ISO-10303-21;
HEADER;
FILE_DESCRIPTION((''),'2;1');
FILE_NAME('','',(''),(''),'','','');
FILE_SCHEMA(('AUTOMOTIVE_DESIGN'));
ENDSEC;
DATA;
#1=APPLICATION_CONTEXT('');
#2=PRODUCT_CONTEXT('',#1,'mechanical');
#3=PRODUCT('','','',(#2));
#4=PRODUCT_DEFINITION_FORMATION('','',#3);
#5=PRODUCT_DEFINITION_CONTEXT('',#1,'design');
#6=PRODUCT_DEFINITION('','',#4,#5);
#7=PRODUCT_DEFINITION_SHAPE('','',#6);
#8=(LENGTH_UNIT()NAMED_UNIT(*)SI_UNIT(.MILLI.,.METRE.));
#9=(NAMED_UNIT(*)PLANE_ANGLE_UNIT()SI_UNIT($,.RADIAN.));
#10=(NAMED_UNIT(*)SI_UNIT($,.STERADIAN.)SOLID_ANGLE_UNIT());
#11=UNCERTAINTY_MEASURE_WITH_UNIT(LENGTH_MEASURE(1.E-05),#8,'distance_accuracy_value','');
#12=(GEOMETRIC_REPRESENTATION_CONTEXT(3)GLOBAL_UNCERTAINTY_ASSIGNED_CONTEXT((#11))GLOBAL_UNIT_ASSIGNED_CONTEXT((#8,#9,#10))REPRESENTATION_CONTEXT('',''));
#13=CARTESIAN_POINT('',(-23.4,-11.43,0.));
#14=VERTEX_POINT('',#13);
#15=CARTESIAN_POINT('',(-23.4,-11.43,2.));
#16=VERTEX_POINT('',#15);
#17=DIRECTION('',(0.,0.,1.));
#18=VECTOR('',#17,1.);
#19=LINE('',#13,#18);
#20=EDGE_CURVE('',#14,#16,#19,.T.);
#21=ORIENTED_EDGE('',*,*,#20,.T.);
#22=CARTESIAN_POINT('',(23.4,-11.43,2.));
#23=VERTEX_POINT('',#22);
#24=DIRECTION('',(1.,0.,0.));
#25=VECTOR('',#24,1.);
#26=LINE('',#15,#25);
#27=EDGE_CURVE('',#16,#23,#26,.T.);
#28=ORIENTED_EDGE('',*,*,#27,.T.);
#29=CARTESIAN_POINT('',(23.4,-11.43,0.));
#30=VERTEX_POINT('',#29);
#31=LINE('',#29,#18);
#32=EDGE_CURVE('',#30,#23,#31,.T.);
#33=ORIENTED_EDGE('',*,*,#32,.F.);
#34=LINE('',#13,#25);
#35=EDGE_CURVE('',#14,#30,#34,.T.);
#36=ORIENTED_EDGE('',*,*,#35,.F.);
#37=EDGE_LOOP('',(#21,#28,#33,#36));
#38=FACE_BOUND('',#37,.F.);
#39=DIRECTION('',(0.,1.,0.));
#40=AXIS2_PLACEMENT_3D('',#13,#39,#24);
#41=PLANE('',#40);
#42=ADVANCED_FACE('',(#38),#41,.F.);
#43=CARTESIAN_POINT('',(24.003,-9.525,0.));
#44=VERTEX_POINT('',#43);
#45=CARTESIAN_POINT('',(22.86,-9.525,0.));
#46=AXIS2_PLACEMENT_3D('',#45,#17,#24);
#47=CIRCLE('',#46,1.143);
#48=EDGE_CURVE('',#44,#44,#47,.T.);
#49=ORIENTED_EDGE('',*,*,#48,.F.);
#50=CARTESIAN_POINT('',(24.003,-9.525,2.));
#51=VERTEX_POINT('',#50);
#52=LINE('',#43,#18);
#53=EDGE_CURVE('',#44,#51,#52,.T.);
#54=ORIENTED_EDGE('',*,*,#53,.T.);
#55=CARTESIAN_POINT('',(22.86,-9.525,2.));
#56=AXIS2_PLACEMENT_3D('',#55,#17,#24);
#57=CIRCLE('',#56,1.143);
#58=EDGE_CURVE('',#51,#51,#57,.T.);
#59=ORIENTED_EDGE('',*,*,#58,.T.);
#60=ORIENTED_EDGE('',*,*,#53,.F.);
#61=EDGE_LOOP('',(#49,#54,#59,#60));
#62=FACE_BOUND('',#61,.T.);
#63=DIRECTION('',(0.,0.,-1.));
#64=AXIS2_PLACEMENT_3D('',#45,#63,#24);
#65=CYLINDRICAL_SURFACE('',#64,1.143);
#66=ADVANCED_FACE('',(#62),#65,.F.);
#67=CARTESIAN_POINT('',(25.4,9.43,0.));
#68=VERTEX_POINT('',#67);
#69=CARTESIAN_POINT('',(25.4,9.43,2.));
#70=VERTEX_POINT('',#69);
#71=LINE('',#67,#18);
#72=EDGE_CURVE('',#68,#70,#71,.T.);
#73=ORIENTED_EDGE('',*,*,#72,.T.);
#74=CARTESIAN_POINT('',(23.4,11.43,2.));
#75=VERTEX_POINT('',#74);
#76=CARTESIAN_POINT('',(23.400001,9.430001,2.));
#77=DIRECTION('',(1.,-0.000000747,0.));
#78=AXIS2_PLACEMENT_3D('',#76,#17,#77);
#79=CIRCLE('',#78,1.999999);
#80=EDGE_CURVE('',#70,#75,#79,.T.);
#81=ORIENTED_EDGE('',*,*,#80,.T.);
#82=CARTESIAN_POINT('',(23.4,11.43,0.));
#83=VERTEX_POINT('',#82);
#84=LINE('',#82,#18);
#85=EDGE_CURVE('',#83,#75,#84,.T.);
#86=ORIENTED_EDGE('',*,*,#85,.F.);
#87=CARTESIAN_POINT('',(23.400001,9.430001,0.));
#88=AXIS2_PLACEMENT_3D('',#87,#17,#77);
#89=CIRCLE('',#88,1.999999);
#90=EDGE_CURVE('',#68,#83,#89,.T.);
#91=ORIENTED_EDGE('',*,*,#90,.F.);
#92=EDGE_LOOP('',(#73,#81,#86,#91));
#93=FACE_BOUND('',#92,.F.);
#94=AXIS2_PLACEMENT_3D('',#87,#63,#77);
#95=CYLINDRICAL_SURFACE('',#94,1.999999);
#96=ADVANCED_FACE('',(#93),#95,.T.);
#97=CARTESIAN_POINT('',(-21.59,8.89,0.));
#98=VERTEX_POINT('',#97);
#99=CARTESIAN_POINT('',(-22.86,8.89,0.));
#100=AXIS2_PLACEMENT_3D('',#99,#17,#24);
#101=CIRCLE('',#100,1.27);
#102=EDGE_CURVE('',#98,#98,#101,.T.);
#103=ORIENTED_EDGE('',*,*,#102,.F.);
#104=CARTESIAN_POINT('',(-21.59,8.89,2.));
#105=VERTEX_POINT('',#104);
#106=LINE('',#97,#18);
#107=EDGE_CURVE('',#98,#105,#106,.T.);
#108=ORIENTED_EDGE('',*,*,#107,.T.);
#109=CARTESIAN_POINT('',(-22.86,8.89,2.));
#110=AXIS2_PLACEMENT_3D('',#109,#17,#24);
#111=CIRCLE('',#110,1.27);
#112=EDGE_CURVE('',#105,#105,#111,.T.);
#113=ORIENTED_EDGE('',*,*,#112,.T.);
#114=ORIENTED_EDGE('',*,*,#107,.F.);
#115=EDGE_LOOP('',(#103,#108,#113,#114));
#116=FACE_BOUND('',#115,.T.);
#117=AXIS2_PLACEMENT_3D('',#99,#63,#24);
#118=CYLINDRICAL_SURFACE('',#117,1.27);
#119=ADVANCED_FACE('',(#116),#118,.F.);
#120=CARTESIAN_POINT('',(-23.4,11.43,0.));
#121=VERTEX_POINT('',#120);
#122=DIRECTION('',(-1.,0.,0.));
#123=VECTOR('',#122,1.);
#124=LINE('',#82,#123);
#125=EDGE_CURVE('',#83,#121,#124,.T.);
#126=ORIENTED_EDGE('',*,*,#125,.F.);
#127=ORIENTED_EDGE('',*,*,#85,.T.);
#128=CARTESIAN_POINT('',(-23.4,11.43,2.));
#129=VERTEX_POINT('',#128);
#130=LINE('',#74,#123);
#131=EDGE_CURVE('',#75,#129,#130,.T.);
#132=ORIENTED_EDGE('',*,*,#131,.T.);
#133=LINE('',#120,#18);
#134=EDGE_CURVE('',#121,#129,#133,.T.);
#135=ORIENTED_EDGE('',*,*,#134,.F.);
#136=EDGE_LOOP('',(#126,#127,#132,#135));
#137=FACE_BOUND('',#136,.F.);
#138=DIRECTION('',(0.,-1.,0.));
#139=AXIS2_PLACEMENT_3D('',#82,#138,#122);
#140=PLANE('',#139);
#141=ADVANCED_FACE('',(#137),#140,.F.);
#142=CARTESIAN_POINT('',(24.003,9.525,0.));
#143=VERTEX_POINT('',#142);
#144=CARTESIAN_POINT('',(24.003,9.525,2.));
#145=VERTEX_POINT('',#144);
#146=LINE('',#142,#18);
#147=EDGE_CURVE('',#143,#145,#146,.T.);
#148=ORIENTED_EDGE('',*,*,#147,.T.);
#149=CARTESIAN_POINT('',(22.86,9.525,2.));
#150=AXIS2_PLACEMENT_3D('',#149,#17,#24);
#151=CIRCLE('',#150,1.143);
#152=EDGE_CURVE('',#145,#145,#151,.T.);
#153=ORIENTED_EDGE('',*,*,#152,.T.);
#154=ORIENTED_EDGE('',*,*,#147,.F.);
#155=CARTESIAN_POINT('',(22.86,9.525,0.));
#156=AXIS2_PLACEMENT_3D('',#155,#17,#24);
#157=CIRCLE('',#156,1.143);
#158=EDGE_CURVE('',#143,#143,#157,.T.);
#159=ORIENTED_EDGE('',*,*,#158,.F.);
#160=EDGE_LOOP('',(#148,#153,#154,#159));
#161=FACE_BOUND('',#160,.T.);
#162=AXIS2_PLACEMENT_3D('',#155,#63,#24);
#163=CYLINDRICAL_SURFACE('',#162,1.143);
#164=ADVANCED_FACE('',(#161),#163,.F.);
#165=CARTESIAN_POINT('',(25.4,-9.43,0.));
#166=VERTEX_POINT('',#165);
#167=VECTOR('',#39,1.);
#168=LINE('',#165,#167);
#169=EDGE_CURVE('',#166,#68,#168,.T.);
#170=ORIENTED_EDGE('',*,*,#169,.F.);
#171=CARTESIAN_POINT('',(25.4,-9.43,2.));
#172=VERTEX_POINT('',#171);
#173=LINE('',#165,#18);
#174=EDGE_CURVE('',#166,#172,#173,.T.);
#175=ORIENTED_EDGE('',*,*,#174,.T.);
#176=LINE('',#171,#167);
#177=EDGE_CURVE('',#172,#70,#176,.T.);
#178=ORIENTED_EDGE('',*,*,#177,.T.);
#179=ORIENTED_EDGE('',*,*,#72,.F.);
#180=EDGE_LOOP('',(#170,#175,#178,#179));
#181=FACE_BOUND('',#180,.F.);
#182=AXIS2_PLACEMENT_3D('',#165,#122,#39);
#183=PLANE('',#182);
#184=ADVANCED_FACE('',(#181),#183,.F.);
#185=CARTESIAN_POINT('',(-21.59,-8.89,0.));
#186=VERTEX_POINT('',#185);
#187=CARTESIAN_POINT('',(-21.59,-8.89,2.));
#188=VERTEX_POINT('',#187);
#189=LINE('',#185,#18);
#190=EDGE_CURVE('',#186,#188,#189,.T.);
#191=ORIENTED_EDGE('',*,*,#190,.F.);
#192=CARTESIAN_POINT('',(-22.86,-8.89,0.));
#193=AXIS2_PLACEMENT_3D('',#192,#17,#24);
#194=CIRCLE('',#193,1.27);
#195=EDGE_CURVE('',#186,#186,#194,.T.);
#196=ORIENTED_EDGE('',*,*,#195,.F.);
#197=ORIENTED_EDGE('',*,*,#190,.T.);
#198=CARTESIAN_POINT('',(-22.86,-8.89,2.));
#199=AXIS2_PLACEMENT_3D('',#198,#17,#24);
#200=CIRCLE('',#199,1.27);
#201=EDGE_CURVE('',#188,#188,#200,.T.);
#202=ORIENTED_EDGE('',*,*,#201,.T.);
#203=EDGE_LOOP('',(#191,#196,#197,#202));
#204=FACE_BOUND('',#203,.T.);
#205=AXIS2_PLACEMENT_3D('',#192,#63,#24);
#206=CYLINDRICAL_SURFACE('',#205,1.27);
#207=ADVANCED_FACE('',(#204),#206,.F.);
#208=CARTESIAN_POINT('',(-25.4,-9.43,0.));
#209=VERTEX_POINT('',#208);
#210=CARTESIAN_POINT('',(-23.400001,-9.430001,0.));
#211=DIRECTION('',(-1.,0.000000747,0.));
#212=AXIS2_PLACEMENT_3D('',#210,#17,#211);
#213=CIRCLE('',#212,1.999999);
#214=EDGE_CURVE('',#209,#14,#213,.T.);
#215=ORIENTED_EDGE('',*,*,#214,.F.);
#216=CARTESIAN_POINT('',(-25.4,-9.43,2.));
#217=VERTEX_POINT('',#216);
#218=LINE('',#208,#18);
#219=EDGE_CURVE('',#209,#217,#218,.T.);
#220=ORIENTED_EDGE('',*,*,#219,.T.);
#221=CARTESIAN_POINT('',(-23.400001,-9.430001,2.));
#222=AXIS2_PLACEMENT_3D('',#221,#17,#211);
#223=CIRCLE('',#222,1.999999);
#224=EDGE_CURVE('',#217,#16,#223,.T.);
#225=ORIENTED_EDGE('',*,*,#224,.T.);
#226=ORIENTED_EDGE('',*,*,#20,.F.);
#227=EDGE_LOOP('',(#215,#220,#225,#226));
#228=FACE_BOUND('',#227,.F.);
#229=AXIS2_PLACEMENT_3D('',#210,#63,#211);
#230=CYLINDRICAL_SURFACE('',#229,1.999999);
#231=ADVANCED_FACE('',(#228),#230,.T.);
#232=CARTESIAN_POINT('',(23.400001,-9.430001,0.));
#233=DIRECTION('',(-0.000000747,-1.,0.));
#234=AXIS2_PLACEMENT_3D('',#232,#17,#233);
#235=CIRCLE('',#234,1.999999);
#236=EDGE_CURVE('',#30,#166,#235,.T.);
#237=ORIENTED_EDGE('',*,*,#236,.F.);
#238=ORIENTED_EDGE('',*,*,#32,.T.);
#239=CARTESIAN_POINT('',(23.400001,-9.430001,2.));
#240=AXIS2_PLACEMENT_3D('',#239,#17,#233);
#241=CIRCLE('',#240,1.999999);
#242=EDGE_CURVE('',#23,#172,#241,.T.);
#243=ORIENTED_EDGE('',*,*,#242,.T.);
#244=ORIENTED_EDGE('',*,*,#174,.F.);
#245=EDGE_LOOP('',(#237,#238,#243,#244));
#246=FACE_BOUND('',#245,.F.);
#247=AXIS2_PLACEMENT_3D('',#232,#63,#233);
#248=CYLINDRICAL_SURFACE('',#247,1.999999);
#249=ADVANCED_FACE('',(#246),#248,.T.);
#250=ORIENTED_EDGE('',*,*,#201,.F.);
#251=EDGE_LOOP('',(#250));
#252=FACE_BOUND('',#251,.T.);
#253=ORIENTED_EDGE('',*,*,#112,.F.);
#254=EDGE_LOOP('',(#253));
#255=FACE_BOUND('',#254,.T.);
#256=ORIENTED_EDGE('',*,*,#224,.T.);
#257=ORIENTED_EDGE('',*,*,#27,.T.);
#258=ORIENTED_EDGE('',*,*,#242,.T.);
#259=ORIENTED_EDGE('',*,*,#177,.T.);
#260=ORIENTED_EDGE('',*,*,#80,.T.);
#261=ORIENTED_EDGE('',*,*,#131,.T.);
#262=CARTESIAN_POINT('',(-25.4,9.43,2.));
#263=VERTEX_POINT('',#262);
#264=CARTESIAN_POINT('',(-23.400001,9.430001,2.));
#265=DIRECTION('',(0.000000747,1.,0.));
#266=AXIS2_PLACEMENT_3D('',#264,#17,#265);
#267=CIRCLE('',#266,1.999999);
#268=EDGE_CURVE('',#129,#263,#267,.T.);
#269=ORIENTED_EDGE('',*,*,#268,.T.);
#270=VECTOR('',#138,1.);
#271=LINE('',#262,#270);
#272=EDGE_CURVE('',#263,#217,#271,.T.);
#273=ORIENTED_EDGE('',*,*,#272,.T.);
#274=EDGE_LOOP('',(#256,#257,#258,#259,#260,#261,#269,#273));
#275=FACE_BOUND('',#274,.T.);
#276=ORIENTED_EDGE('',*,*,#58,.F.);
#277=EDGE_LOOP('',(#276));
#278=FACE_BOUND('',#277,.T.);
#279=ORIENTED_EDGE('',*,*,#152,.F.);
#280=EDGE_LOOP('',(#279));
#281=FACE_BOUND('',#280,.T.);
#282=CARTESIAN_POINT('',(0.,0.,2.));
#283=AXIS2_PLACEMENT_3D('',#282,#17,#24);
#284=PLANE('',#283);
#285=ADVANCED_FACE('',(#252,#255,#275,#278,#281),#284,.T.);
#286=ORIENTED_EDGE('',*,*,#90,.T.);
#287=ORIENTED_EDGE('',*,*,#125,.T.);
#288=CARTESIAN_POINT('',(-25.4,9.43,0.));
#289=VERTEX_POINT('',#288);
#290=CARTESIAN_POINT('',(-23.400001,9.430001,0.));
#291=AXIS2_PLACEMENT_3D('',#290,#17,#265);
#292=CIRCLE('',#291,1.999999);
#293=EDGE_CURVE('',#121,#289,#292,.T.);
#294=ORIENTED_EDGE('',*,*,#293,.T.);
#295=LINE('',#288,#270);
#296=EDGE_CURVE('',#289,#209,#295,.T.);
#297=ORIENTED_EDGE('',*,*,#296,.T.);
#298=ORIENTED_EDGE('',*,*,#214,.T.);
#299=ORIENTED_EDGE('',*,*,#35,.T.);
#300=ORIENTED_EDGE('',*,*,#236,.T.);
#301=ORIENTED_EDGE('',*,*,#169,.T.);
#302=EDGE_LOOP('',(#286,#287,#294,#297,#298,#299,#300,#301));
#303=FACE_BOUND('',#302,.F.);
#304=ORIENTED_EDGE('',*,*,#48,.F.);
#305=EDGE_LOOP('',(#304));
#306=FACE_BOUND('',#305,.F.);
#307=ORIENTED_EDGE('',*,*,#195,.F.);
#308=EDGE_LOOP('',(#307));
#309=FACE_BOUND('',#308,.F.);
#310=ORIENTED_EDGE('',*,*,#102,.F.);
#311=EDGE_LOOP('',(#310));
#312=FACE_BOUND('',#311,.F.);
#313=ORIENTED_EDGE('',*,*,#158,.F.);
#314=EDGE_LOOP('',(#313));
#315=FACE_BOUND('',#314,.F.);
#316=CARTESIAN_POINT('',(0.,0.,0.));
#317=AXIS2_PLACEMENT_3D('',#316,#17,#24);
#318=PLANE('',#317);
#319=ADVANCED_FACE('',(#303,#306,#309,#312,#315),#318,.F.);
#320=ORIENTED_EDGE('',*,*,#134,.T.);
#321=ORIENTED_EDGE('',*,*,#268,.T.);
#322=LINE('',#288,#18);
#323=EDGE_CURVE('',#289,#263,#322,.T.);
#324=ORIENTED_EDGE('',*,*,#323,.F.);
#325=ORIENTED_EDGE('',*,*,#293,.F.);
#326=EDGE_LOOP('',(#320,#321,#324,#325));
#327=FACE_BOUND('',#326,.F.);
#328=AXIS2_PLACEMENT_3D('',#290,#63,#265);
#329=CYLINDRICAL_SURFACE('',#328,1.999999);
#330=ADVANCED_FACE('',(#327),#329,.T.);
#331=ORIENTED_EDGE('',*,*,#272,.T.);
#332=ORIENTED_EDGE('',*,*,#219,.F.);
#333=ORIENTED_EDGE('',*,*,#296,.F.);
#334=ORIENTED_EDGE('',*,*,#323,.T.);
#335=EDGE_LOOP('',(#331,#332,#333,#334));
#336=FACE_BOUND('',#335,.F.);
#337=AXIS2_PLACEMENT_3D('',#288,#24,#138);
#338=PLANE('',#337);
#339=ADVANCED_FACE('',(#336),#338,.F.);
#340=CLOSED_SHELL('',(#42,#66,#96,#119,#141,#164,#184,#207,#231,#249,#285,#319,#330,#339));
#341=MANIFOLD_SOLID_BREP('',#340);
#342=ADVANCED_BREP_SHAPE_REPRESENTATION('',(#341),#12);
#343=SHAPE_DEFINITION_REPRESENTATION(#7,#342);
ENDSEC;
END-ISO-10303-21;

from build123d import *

# Parameters (mm, degrees)
F0_R     = 1.27
F0_R_2   = 1.143
F1_DEPTH = 2


with BuildPart() as f1:
    # F0 (on Top) → F1 (new body)
    with BuildSketch(Plane.XY):
        with BuildLine():
            Line((23.4, 11.43), (-23.4, 11.43))
            ThreePointArc((-23.4, 11.43), (-24.814214, 10.844214), (-25.4, 9.43))
            Line((-25.4, 9.43), (-25.4, -9.43))
            ThreePointArc((-25.4, -9.43), (-24.814214, -10.844214), (-23.4, -11.43))
            Line((-23.4, -11.43), (23.4, -11.43))
            ThreePointArc((23.4, -11.43), (24.814214, -10.844214), (25.4, -9.43))
            Line((25.4, -9.43), (25.4, 9.43))
            ThreePointArc((25.4, 9.43), (24.814214, 10.844214), (23.4, 11.43))
        make_face()
        with Locations((-22.86, -8.89)):
            Circle(F0_R, mode=Mode.SUBTRACT)
        with Locations((22.86, -9.525)):
            Circle(F0_R_2, mode=Mode.SUBTRACT)
        with Locations((-22.86, 8.89)):
            Circle(F0_R, mode=Mode.SUBTRACT)
        with Locations((22.86, 9.525)):
            Circle(F0_R_2, mode=Mode.SUBTRACT)
    extrude(amount=F1_DEPTH)


solid = f1.part
